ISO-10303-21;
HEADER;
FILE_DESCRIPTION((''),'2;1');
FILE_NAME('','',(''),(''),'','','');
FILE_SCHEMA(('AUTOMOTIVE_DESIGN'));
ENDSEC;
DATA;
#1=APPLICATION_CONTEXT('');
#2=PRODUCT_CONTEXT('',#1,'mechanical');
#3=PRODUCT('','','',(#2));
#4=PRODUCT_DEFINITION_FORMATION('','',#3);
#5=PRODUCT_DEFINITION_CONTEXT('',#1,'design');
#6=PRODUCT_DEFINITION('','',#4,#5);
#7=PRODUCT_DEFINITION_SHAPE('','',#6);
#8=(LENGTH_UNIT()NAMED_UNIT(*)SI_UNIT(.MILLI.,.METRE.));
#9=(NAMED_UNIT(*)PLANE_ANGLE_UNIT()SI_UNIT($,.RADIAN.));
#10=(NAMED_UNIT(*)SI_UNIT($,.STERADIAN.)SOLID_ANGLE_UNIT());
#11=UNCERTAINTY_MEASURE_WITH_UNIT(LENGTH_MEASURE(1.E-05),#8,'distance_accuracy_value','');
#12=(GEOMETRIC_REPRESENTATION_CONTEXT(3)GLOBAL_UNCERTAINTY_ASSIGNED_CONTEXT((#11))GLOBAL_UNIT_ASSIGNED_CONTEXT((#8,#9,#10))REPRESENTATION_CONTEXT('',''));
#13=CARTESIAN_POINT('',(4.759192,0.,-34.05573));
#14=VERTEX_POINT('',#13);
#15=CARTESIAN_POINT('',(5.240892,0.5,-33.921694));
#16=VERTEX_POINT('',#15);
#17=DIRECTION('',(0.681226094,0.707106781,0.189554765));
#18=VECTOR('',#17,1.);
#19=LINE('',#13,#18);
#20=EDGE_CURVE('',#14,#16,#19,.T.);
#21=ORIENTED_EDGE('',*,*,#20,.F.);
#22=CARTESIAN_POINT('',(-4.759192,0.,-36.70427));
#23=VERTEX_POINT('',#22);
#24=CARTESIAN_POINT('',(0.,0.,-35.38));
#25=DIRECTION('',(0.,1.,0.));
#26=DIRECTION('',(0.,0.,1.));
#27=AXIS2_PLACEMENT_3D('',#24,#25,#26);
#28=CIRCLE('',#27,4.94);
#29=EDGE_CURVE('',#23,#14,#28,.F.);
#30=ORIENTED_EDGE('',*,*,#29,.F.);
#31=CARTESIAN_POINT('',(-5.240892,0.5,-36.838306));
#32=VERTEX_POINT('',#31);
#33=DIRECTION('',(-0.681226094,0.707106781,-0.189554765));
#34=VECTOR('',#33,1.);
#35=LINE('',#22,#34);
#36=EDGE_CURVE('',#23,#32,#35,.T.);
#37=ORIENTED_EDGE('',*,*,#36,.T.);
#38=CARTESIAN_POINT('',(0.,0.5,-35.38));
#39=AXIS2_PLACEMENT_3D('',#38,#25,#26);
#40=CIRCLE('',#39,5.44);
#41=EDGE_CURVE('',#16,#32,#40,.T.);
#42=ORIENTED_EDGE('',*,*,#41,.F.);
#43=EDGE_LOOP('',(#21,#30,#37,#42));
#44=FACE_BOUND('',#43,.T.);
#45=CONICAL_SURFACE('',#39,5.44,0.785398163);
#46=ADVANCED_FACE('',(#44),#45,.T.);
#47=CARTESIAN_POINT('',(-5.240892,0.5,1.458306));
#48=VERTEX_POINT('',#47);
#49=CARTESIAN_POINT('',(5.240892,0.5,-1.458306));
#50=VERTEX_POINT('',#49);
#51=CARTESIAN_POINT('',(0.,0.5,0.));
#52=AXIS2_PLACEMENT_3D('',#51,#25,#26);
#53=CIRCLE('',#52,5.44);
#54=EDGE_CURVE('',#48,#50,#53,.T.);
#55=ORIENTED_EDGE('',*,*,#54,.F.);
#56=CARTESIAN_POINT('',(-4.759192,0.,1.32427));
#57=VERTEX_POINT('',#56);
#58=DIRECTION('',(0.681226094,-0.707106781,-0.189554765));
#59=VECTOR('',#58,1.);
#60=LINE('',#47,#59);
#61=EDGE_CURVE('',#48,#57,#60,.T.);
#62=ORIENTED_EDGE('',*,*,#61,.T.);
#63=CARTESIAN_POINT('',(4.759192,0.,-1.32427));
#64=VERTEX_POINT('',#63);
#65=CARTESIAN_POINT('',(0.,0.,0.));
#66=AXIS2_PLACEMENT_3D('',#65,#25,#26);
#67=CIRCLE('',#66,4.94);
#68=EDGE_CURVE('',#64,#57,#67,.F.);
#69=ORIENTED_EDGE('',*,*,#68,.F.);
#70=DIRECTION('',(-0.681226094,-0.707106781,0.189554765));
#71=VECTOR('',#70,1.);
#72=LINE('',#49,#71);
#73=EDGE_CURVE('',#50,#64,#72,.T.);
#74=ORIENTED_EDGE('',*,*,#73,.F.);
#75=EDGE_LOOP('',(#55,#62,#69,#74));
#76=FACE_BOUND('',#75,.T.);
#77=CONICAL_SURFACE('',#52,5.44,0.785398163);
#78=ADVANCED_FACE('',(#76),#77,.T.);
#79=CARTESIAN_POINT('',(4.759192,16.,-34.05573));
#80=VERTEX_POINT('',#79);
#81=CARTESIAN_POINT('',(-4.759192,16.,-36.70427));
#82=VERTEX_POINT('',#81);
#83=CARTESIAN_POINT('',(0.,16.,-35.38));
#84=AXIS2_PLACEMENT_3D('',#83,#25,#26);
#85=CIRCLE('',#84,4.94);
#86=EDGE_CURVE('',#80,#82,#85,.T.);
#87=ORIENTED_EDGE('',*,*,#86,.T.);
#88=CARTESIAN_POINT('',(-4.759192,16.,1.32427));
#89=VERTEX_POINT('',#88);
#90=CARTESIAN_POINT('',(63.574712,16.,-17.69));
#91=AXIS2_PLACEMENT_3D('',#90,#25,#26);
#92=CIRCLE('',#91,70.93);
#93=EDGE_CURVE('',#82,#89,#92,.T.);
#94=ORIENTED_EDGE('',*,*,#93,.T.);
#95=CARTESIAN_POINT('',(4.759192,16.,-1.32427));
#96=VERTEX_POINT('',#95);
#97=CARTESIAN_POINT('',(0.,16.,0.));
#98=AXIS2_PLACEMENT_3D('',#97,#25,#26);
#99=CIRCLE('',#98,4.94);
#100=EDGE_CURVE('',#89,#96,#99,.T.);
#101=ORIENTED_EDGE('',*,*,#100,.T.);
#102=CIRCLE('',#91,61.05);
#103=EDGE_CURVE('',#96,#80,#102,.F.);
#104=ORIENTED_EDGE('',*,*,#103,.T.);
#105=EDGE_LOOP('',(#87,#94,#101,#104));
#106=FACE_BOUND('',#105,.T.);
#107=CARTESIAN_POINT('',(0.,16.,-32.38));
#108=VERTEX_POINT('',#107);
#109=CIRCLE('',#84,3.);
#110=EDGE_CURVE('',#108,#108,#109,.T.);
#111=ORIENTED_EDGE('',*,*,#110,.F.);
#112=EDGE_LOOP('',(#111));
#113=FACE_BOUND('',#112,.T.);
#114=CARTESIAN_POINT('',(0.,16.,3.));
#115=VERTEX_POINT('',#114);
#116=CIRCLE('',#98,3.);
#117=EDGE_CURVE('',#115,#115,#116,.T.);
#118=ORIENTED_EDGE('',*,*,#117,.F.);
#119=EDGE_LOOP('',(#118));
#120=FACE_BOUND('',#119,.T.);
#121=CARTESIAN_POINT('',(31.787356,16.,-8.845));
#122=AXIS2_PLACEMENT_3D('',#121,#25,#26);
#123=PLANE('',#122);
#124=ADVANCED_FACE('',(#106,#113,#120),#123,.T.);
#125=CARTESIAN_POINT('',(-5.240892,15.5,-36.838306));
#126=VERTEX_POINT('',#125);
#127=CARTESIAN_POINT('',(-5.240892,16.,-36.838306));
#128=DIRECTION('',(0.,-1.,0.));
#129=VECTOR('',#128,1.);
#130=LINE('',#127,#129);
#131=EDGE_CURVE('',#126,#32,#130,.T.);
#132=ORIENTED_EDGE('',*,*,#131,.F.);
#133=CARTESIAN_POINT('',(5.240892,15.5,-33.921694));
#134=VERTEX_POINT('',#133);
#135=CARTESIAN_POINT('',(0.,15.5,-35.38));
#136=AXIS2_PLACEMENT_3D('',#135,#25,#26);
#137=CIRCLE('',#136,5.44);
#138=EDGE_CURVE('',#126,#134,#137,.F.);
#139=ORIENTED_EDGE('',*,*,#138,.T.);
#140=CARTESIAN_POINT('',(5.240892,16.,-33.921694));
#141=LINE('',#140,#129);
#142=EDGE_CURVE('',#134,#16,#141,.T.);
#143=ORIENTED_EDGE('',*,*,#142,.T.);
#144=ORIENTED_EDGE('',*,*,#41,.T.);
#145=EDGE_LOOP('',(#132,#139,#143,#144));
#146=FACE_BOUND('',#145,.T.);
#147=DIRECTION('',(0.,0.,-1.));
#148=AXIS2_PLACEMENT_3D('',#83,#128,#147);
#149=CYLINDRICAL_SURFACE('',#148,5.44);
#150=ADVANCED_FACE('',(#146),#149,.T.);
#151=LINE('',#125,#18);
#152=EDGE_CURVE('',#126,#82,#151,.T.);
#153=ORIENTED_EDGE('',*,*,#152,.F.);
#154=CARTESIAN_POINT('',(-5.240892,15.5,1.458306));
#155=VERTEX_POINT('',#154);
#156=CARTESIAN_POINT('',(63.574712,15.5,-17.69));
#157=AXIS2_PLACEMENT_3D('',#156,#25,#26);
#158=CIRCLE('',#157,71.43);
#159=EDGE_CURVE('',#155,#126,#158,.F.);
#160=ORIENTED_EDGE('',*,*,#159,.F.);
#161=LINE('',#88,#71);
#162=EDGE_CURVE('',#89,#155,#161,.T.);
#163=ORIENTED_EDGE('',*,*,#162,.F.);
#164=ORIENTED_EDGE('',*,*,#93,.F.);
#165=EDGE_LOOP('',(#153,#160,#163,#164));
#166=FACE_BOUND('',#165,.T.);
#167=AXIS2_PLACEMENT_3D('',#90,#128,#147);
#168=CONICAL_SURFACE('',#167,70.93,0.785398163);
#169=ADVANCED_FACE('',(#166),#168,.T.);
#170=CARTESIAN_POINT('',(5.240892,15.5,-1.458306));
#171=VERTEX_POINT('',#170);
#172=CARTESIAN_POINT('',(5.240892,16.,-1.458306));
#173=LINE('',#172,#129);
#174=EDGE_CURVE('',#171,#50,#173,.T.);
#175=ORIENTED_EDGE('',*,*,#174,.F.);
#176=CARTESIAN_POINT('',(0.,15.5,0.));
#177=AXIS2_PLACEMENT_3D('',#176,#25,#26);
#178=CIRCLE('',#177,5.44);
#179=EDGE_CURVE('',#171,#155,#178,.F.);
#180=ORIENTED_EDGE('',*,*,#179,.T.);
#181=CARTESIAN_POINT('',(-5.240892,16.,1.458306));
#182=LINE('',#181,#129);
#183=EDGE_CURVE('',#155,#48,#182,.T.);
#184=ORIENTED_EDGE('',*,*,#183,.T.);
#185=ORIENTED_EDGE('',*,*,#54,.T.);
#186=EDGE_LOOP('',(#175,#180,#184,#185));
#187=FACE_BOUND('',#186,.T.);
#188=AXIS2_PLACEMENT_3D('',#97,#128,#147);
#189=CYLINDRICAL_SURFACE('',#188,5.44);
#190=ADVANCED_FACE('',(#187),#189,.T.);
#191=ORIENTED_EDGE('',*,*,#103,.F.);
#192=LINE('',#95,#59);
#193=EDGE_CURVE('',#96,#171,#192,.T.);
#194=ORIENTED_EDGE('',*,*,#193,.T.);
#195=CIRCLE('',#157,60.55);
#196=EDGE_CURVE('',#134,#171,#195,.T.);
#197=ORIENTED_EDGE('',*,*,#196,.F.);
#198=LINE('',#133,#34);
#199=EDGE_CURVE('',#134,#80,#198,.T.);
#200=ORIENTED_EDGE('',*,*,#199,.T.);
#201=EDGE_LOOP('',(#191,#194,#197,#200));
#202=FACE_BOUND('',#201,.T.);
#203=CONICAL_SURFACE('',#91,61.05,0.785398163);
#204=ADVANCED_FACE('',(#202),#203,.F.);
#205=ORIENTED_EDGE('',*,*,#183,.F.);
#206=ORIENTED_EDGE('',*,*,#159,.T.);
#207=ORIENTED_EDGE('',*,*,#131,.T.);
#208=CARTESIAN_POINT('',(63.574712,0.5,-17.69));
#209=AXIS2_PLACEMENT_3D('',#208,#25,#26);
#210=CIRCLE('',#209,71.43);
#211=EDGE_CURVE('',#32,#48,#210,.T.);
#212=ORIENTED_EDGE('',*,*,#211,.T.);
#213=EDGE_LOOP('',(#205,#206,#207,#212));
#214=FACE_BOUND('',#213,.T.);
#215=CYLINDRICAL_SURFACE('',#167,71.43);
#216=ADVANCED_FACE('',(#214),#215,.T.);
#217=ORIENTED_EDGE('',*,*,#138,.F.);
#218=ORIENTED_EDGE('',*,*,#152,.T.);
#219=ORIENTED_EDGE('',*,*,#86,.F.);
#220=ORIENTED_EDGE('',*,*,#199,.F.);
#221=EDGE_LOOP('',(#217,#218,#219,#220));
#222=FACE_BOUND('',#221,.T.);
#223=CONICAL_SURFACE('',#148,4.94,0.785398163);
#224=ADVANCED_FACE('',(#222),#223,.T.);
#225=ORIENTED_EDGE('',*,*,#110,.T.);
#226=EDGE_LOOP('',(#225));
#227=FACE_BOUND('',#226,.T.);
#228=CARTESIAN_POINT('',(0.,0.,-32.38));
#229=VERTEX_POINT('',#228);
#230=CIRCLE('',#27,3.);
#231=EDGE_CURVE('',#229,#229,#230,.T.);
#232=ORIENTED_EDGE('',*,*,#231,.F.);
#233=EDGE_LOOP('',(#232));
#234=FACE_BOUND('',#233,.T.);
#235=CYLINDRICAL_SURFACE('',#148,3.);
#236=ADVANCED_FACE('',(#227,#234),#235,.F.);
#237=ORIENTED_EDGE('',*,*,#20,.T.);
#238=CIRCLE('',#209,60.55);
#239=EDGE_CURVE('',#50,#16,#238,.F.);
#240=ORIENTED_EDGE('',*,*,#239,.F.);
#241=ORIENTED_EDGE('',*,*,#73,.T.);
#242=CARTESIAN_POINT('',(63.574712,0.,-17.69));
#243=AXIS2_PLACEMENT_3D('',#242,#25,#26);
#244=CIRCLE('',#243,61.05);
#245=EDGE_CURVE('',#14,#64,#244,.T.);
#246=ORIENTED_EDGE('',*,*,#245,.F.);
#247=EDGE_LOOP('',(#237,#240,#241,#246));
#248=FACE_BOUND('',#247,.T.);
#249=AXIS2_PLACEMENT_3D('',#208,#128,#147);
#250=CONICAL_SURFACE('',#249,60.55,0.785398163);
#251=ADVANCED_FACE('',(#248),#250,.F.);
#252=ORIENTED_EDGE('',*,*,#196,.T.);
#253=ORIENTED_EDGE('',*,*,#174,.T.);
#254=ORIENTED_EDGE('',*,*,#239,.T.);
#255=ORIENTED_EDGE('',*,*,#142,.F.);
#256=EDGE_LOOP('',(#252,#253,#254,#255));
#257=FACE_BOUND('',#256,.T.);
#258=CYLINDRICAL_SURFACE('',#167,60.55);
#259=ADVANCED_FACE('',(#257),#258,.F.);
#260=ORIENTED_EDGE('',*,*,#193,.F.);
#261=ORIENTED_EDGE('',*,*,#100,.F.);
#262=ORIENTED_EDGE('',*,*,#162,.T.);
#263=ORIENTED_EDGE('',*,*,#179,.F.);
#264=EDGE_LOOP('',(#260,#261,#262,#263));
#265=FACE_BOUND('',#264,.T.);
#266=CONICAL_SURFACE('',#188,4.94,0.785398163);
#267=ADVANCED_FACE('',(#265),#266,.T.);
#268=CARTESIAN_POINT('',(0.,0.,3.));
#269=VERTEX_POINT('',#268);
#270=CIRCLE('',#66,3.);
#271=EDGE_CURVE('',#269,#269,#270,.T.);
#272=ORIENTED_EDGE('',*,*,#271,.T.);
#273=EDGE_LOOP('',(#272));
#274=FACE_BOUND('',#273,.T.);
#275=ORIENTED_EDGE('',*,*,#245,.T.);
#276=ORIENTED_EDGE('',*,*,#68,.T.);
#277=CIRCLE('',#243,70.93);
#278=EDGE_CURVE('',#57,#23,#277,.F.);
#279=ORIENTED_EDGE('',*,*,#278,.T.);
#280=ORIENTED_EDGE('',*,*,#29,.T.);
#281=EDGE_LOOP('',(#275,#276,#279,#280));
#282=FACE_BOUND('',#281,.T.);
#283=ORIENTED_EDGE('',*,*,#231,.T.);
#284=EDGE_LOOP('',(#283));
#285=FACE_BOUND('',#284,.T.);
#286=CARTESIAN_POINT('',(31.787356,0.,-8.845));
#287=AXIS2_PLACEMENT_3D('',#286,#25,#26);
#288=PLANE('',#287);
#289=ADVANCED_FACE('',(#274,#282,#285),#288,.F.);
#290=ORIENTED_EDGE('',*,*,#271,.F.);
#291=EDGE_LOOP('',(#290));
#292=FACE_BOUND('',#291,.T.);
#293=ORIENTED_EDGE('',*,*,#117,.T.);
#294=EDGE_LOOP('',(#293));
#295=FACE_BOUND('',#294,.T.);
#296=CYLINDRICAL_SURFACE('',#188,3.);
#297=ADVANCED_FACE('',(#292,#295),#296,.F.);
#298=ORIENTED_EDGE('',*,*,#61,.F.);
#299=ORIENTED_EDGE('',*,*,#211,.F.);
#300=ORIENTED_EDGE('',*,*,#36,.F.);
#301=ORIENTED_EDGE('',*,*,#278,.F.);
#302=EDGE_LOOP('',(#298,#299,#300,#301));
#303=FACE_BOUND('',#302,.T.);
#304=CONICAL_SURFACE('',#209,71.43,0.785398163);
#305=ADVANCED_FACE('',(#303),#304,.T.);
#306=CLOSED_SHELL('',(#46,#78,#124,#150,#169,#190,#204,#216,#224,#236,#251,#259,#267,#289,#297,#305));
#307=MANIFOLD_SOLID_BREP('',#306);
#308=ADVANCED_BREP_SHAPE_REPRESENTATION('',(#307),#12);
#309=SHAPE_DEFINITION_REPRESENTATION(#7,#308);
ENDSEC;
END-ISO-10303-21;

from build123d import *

# Parameters (mm, degrees)
SKETCH_1_R      = 3
EXTRUDE_1_DEPTH = 16
CHAMFER_1_SIZE  = 0.5


with BuildPart() as part:
    # 草图1 → 凸台-拉伸1 (new body)
    with BuildSketch(Plane(origin=(0, 0, 0), x_dir=(1, 0, 0), z_dir=(0, 1, 0))):
        with BuildLine():
            ThreePointArc((-5.240891545, 36.838305804), (1.458305804, 40.620891545), (5.240891545, 33.921694196))
            ThreePointArc((5.240891545, 33.921694196), (3.024711954, 17.69), (5.240891545, 1.458305804))
            ThreePointArc((5.240891545, 1.458305804), (1.458305804, -5.240891545), (-5.240891545, -1.458305804))
            ThreePointArc((-5.240891545, -1.458305804), (-7.855288046, 17.69), (-5.240891545, 36.838305804))
        make_face()
        Circle(SKETCH_1_R, mode=Mode.SUBTRACT)
        with Locations((0, 35.38)):
            Circle(SKETCH_1_R, mode=Mode.SUBTRACT)
    extrude(amount=EXTRUDE_1_DEPTH)

    # 倒角1
    chamfer_1_edges = [part.edges().sort_by_distance(p)[0] for p in [
        (3.024711954, 16, -17.69),
        (1.458305804, 16, -40.620891545),
        (-7.855288046, 16, -17.69),
        (1.458305804, 0, -40.620891545),
        (3.024711954, 0, -17.69),
        (1.458305804, 0, 5.240891545),
        (-7.855288046, 0, -17.69),
        (1.458305804, 16, 5.240891545),
    ]]
    chamfer(chamfer_1_edges, length=CHAMFER_1_SIZE)


solid = part.part
